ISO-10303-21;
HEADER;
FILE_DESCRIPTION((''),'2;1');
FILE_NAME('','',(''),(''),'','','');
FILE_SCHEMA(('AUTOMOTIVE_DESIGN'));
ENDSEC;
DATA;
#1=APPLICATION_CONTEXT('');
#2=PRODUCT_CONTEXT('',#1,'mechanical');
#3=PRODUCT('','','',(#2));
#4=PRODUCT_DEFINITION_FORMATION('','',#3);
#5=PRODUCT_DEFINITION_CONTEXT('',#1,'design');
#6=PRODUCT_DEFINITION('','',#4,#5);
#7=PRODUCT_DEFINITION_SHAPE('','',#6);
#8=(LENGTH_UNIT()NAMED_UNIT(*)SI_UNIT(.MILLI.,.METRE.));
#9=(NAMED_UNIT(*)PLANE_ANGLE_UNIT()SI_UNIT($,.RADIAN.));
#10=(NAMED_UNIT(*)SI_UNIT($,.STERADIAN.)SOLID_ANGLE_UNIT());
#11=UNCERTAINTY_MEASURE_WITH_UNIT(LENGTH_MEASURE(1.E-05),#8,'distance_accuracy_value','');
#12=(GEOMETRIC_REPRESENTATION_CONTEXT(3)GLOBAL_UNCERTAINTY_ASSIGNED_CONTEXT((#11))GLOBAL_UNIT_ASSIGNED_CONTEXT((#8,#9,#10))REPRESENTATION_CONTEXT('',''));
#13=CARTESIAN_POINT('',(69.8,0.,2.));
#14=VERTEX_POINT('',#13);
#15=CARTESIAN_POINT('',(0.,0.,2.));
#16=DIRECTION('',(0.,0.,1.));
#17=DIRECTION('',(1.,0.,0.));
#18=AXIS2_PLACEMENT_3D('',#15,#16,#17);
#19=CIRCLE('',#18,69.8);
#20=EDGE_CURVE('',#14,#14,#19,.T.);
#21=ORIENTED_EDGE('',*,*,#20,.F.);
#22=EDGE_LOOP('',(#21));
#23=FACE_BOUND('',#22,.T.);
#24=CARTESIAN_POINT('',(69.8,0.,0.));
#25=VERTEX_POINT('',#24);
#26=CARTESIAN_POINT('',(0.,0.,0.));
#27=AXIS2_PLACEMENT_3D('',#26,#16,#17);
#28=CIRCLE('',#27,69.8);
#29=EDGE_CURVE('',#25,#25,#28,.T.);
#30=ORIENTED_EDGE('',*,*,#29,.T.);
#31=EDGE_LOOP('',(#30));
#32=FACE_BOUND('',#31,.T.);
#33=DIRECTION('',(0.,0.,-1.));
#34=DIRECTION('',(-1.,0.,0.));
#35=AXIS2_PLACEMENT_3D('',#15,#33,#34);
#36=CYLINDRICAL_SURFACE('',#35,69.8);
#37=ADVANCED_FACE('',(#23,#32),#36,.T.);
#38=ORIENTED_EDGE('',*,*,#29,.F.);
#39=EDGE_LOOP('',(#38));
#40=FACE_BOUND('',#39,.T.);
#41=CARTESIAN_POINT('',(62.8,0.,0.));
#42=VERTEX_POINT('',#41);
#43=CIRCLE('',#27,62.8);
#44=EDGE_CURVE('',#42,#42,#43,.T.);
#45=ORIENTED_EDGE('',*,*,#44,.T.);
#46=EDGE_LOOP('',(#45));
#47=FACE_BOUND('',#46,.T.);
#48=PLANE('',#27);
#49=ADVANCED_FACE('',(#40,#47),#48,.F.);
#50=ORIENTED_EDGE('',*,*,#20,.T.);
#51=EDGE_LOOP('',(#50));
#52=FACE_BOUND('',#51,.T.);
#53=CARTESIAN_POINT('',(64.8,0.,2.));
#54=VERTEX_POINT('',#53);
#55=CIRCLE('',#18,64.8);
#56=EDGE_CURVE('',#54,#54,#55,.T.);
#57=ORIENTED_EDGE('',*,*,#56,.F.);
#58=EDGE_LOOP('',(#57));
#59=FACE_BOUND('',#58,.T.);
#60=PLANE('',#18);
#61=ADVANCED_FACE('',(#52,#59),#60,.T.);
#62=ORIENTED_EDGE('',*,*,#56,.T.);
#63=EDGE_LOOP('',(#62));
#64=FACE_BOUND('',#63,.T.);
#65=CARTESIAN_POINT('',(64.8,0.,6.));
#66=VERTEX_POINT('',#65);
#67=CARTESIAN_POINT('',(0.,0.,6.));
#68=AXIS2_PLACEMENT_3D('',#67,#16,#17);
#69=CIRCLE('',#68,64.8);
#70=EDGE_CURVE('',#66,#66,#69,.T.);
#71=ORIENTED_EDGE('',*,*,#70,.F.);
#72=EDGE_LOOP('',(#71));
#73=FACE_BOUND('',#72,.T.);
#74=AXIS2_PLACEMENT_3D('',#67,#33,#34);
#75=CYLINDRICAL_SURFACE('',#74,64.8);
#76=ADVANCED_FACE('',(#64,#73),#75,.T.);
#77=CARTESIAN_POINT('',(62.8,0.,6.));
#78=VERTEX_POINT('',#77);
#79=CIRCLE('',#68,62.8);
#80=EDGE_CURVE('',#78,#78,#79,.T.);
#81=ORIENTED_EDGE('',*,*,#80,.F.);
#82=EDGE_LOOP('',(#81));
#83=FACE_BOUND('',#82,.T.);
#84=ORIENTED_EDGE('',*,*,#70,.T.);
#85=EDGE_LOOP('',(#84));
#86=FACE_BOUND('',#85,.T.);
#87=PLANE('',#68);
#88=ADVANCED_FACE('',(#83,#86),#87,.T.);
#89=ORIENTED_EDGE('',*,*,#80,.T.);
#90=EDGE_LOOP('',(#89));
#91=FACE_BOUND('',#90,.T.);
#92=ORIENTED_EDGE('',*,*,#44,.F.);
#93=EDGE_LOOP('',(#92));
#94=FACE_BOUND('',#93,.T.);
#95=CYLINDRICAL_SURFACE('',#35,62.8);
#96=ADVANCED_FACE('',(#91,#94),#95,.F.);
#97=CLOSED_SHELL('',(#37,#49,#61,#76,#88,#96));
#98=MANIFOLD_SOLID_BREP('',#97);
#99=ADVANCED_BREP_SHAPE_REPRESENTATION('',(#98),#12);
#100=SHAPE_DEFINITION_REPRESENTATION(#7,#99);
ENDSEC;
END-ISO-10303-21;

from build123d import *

# Parameters (mm, degrees)
SKETCH1_R           = 69.8
SKETCH1_R_2         = 62.8
BOSS_EXTRUDE1_DEPTH = 2
SKETCH2_R           = 64.8
SKETCH2_R_2         = 62.8
BOSS_EXTRUDE2_DEPTH = 4


with BuildPart() as part:
    # Sketch1 → Boss-Extrude1 (new body)
    with BuildSketch(Plane.XY):
        Circle(SKETCH1_R)
        Circle(SKETCH1_R_2, mode=Mode.SUBTRACT)
    extrude(amount=BOSS_EXTRUDE1_DEPTH)

    # Sketch2 → Boss-Extrude2 (add)
    with BuildSketch(Plane.XY.offset(2)):
        Circle(SKETCH2_R)
        Circle(SKETCH2_R_2, mode=Mode.SUBTRACT)
    extrude(amount=BOSS_EXTRUDE2_DEPTH)


solid = part.part
